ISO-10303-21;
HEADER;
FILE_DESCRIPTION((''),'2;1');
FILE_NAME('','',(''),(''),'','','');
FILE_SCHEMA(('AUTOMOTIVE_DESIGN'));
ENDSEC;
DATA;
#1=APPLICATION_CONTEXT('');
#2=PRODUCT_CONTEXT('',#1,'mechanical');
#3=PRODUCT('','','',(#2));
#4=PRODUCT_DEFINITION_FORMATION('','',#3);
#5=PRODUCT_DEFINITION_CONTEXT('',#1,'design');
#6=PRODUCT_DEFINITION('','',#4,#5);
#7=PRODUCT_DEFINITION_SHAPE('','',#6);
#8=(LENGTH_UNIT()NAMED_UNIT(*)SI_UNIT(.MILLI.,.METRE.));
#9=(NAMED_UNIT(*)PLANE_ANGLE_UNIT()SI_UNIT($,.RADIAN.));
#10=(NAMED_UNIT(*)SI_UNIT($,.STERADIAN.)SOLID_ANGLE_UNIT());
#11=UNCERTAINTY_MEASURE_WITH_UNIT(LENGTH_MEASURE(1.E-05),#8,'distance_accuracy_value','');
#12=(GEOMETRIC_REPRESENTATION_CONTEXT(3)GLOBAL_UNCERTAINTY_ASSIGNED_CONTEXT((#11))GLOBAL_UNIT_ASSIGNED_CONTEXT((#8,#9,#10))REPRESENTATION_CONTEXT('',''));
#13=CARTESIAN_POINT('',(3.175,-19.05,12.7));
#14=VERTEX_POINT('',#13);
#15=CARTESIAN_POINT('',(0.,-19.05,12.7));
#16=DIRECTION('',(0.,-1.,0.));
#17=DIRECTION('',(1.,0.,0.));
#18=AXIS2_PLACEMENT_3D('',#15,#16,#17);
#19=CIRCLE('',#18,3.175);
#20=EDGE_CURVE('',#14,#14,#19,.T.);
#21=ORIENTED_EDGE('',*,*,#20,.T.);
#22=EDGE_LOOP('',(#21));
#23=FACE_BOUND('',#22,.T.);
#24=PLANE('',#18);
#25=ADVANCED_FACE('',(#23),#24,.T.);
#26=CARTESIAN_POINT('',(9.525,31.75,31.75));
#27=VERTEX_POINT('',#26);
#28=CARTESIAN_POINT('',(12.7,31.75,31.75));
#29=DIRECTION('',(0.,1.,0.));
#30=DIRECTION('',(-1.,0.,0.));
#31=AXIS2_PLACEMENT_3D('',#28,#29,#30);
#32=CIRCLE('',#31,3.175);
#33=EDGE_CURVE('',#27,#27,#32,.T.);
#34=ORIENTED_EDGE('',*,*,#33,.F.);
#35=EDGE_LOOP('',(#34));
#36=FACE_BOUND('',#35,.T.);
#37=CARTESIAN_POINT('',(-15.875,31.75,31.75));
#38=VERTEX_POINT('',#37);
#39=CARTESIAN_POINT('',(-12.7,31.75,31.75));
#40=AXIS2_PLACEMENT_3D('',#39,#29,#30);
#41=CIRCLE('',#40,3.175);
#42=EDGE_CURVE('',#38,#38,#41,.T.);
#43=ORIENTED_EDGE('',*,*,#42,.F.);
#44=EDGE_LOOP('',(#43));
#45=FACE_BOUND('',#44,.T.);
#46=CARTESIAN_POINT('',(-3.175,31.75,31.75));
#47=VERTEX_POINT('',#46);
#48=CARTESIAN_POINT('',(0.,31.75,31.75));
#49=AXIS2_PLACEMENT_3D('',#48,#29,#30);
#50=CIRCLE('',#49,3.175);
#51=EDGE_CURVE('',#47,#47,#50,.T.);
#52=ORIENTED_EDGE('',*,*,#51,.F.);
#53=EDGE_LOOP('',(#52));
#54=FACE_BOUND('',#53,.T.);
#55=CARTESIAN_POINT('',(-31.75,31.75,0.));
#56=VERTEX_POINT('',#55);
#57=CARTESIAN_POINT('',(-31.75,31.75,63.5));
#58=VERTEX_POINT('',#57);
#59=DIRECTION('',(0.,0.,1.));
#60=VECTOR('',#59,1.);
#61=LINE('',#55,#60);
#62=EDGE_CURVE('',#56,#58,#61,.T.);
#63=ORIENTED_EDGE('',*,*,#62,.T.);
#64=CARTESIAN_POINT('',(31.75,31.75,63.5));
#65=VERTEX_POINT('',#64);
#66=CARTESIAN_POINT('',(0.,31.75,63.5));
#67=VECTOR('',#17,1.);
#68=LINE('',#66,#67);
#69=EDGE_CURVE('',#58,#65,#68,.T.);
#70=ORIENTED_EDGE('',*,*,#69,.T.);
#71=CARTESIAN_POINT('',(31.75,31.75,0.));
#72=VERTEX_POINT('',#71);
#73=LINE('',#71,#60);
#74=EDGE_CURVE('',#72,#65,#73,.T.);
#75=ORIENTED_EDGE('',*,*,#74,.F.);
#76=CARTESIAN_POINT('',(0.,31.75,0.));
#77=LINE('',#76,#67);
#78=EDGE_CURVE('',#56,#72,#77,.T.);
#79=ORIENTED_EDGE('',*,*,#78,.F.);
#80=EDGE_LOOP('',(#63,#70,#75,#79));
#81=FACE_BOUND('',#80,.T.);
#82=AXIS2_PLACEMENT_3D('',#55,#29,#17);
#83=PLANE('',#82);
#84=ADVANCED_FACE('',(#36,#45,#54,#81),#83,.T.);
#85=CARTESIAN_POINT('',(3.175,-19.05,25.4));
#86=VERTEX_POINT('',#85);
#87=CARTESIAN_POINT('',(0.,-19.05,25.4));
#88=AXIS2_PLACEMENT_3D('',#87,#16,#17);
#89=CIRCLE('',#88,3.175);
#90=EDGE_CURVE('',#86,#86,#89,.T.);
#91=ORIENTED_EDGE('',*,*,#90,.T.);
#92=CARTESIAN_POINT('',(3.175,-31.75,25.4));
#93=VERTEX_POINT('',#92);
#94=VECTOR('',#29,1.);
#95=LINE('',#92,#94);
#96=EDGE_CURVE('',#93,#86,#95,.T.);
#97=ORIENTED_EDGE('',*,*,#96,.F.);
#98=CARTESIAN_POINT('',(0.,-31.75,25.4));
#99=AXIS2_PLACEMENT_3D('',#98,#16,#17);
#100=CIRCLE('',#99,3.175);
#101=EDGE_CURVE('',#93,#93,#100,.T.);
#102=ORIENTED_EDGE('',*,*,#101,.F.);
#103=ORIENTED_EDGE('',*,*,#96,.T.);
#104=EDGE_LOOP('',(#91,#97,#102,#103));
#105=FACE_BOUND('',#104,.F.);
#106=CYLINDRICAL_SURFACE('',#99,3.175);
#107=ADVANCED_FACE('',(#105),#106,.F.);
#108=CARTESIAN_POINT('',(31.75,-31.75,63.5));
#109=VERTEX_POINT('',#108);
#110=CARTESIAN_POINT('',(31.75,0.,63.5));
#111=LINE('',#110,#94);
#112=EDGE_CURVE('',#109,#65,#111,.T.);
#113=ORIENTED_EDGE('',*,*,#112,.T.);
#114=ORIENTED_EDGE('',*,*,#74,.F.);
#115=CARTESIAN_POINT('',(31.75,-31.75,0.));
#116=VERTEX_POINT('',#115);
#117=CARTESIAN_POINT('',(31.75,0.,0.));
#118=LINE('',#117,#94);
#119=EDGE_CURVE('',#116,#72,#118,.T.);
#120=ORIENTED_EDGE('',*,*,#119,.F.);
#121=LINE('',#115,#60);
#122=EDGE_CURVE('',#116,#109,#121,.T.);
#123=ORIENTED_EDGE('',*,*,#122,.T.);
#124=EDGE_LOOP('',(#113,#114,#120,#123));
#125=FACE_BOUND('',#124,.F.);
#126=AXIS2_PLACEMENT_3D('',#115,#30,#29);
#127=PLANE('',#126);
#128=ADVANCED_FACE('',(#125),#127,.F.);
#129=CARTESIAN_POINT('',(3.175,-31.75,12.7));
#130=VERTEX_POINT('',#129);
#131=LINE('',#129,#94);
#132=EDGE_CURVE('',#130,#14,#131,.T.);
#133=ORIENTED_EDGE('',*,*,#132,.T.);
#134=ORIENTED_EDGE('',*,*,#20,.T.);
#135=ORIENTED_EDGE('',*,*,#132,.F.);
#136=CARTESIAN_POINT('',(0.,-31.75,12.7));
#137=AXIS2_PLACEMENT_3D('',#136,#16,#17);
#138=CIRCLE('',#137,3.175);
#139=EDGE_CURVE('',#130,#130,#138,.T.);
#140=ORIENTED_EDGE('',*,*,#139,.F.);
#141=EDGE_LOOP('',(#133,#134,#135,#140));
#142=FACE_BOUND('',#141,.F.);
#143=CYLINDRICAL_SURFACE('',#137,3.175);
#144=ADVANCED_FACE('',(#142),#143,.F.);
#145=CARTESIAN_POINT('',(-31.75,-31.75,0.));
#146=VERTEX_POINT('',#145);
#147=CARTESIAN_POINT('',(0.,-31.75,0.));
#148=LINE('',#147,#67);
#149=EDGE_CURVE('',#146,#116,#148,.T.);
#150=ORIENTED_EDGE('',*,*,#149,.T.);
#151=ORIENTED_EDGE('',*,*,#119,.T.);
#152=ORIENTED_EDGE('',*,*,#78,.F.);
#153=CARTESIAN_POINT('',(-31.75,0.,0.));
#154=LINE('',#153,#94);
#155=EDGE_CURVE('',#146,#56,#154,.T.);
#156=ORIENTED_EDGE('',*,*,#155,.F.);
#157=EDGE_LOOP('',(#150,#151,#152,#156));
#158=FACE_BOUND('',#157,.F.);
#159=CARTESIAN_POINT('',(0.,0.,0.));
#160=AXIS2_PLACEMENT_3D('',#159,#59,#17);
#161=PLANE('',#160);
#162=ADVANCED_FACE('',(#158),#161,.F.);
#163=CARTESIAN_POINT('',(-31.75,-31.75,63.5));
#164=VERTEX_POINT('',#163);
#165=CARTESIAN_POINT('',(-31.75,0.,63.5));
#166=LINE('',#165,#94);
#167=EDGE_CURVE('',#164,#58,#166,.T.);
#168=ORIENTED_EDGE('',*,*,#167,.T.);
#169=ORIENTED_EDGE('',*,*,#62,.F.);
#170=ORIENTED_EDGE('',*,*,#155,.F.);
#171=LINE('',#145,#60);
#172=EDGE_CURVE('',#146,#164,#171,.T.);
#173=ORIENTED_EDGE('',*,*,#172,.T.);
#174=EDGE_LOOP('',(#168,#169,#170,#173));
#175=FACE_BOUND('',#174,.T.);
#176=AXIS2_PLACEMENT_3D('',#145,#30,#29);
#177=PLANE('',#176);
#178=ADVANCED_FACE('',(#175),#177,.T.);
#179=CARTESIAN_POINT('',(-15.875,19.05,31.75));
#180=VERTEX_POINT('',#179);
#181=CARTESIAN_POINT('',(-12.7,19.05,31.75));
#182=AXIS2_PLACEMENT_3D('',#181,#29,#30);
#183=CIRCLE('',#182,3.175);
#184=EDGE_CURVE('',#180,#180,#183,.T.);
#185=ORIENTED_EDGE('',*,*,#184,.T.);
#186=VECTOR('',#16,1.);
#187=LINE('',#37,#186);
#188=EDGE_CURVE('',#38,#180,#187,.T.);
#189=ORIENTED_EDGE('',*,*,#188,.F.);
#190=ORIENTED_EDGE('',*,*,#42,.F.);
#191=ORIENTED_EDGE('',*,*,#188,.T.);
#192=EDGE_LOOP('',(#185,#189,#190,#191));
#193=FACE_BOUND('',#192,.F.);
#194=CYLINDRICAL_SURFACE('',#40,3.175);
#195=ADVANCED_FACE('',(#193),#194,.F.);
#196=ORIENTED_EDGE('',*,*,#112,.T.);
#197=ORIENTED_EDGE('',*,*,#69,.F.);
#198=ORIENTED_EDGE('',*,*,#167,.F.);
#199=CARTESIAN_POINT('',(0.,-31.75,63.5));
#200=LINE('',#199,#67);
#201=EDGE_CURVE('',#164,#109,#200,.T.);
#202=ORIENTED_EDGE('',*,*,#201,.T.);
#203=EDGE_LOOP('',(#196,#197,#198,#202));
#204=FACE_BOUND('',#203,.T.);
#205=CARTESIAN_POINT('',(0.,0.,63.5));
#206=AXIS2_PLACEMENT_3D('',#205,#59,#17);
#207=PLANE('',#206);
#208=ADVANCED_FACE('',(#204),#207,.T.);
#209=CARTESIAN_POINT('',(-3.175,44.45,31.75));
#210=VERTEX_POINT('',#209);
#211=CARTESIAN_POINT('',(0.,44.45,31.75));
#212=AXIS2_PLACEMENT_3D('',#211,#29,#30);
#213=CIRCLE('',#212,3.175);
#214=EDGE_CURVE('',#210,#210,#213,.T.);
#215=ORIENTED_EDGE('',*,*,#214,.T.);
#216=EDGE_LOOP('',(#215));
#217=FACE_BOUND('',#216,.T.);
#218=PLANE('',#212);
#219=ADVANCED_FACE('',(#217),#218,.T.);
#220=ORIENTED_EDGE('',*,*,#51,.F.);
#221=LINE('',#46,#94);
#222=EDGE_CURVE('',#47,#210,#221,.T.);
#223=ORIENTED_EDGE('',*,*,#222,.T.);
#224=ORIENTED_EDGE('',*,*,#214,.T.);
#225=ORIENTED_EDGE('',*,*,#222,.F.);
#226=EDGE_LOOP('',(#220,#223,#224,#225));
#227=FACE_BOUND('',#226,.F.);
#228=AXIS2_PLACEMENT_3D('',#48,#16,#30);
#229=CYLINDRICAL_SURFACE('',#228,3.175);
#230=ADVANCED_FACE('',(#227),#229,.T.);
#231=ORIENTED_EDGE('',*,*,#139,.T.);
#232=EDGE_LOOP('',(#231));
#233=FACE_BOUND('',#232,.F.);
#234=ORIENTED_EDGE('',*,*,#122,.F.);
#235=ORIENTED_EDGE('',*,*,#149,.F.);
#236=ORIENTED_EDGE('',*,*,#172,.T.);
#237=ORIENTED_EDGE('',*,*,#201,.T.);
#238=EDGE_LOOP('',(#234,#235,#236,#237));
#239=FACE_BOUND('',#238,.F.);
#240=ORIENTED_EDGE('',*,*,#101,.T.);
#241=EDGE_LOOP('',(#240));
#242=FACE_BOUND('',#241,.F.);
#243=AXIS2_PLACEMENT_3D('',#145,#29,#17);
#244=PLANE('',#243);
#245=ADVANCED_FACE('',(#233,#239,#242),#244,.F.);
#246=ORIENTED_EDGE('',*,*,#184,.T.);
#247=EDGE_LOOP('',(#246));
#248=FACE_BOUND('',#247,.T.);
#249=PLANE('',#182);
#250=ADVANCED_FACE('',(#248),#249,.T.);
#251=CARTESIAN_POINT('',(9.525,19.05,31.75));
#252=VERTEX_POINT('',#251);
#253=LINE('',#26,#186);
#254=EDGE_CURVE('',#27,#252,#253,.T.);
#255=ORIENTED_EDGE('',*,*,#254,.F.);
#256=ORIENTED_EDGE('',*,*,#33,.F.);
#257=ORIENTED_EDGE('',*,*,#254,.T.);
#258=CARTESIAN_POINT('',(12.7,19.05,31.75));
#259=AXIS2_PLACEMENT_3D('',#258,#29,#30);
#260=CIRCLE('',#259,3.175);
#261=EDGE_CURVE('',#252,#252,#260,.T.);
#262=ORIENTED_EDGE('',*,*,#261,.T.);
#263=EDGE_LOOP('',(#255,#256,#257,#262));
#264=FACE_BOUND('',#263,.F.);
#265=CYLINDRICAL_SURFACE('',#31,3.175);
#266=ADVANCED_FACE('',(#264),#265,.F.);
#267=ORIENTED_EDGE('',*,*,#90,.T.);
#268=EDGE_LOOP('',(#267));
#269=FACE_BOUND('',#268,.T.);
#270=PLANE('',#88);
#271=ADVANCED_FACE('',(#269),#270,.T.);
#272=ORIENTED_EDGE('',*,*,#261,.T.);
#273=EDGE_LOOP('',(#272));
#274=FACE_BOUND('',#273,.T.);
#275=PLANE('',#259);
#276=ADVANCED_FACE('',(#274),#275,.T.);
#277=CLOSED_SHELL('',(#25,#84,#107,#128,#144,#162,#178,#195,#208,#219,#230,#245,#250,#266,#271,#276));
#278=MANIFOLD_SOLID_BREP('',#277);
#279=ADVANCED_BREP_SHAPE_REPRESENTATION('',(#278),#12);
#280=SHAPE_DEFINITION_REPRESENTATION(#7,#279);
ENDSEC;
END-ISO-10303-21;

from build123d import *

# Parameters (mm, degrees)
F0_W     = 63.5
F0_H     = 63.5
F1_DEPTH = 63.5
F2_R     = 3.175
F3_DEPTH = 12.7
F4_DEPTH = 12.7
F5_R     = 3.175
F6_DEPTH = 12.7


with BuildPart() as f1:
    # F0 (on Top) → F1 (new body)
    with BuildSketch(Plane.XY):
        Rectangle(F0_W, F0_H)
    extrude(amount=F1_DEPTH)

    # F2 (on face) → F3 (join)
    with BuildSketch(Plane(origin=(0, 31.75, 0), x_dir=(-1, 0, 0), z_dir=(0, 1, 0))):
        with Locations((0, 31.75)):
            Circle(F2_R)
    extrude(amount=F3_DEPTH)

    # F2 (on face) → F4 (cut)
    with BuildSketch(Plane(origin=(0, 31.75, 0), x_dir=(-1, 0, 0), z_dir=(0, 1, 0))):
        with Locations((-12.7, 31.75)):
            Circle(F2_R)
        with Locations((12.7, 31.75)):
            Circle(F2_R)
    extrude(amount=-F4_DEPTH, mode=Mode.SUBTRACT)

    # F5 (on face) → F6 (cut)
    with BuildSketch(Plane.XZ.offset(31.75)):
        with Locations((0, 25.4)):
            Circle(F5_R)
        with Locations((0, 12.7)):
            Circle(F5_R)
    extrude(amount=-F6_DEPTH, mode=Mode.SUBTRACT)


solid = f1.part
